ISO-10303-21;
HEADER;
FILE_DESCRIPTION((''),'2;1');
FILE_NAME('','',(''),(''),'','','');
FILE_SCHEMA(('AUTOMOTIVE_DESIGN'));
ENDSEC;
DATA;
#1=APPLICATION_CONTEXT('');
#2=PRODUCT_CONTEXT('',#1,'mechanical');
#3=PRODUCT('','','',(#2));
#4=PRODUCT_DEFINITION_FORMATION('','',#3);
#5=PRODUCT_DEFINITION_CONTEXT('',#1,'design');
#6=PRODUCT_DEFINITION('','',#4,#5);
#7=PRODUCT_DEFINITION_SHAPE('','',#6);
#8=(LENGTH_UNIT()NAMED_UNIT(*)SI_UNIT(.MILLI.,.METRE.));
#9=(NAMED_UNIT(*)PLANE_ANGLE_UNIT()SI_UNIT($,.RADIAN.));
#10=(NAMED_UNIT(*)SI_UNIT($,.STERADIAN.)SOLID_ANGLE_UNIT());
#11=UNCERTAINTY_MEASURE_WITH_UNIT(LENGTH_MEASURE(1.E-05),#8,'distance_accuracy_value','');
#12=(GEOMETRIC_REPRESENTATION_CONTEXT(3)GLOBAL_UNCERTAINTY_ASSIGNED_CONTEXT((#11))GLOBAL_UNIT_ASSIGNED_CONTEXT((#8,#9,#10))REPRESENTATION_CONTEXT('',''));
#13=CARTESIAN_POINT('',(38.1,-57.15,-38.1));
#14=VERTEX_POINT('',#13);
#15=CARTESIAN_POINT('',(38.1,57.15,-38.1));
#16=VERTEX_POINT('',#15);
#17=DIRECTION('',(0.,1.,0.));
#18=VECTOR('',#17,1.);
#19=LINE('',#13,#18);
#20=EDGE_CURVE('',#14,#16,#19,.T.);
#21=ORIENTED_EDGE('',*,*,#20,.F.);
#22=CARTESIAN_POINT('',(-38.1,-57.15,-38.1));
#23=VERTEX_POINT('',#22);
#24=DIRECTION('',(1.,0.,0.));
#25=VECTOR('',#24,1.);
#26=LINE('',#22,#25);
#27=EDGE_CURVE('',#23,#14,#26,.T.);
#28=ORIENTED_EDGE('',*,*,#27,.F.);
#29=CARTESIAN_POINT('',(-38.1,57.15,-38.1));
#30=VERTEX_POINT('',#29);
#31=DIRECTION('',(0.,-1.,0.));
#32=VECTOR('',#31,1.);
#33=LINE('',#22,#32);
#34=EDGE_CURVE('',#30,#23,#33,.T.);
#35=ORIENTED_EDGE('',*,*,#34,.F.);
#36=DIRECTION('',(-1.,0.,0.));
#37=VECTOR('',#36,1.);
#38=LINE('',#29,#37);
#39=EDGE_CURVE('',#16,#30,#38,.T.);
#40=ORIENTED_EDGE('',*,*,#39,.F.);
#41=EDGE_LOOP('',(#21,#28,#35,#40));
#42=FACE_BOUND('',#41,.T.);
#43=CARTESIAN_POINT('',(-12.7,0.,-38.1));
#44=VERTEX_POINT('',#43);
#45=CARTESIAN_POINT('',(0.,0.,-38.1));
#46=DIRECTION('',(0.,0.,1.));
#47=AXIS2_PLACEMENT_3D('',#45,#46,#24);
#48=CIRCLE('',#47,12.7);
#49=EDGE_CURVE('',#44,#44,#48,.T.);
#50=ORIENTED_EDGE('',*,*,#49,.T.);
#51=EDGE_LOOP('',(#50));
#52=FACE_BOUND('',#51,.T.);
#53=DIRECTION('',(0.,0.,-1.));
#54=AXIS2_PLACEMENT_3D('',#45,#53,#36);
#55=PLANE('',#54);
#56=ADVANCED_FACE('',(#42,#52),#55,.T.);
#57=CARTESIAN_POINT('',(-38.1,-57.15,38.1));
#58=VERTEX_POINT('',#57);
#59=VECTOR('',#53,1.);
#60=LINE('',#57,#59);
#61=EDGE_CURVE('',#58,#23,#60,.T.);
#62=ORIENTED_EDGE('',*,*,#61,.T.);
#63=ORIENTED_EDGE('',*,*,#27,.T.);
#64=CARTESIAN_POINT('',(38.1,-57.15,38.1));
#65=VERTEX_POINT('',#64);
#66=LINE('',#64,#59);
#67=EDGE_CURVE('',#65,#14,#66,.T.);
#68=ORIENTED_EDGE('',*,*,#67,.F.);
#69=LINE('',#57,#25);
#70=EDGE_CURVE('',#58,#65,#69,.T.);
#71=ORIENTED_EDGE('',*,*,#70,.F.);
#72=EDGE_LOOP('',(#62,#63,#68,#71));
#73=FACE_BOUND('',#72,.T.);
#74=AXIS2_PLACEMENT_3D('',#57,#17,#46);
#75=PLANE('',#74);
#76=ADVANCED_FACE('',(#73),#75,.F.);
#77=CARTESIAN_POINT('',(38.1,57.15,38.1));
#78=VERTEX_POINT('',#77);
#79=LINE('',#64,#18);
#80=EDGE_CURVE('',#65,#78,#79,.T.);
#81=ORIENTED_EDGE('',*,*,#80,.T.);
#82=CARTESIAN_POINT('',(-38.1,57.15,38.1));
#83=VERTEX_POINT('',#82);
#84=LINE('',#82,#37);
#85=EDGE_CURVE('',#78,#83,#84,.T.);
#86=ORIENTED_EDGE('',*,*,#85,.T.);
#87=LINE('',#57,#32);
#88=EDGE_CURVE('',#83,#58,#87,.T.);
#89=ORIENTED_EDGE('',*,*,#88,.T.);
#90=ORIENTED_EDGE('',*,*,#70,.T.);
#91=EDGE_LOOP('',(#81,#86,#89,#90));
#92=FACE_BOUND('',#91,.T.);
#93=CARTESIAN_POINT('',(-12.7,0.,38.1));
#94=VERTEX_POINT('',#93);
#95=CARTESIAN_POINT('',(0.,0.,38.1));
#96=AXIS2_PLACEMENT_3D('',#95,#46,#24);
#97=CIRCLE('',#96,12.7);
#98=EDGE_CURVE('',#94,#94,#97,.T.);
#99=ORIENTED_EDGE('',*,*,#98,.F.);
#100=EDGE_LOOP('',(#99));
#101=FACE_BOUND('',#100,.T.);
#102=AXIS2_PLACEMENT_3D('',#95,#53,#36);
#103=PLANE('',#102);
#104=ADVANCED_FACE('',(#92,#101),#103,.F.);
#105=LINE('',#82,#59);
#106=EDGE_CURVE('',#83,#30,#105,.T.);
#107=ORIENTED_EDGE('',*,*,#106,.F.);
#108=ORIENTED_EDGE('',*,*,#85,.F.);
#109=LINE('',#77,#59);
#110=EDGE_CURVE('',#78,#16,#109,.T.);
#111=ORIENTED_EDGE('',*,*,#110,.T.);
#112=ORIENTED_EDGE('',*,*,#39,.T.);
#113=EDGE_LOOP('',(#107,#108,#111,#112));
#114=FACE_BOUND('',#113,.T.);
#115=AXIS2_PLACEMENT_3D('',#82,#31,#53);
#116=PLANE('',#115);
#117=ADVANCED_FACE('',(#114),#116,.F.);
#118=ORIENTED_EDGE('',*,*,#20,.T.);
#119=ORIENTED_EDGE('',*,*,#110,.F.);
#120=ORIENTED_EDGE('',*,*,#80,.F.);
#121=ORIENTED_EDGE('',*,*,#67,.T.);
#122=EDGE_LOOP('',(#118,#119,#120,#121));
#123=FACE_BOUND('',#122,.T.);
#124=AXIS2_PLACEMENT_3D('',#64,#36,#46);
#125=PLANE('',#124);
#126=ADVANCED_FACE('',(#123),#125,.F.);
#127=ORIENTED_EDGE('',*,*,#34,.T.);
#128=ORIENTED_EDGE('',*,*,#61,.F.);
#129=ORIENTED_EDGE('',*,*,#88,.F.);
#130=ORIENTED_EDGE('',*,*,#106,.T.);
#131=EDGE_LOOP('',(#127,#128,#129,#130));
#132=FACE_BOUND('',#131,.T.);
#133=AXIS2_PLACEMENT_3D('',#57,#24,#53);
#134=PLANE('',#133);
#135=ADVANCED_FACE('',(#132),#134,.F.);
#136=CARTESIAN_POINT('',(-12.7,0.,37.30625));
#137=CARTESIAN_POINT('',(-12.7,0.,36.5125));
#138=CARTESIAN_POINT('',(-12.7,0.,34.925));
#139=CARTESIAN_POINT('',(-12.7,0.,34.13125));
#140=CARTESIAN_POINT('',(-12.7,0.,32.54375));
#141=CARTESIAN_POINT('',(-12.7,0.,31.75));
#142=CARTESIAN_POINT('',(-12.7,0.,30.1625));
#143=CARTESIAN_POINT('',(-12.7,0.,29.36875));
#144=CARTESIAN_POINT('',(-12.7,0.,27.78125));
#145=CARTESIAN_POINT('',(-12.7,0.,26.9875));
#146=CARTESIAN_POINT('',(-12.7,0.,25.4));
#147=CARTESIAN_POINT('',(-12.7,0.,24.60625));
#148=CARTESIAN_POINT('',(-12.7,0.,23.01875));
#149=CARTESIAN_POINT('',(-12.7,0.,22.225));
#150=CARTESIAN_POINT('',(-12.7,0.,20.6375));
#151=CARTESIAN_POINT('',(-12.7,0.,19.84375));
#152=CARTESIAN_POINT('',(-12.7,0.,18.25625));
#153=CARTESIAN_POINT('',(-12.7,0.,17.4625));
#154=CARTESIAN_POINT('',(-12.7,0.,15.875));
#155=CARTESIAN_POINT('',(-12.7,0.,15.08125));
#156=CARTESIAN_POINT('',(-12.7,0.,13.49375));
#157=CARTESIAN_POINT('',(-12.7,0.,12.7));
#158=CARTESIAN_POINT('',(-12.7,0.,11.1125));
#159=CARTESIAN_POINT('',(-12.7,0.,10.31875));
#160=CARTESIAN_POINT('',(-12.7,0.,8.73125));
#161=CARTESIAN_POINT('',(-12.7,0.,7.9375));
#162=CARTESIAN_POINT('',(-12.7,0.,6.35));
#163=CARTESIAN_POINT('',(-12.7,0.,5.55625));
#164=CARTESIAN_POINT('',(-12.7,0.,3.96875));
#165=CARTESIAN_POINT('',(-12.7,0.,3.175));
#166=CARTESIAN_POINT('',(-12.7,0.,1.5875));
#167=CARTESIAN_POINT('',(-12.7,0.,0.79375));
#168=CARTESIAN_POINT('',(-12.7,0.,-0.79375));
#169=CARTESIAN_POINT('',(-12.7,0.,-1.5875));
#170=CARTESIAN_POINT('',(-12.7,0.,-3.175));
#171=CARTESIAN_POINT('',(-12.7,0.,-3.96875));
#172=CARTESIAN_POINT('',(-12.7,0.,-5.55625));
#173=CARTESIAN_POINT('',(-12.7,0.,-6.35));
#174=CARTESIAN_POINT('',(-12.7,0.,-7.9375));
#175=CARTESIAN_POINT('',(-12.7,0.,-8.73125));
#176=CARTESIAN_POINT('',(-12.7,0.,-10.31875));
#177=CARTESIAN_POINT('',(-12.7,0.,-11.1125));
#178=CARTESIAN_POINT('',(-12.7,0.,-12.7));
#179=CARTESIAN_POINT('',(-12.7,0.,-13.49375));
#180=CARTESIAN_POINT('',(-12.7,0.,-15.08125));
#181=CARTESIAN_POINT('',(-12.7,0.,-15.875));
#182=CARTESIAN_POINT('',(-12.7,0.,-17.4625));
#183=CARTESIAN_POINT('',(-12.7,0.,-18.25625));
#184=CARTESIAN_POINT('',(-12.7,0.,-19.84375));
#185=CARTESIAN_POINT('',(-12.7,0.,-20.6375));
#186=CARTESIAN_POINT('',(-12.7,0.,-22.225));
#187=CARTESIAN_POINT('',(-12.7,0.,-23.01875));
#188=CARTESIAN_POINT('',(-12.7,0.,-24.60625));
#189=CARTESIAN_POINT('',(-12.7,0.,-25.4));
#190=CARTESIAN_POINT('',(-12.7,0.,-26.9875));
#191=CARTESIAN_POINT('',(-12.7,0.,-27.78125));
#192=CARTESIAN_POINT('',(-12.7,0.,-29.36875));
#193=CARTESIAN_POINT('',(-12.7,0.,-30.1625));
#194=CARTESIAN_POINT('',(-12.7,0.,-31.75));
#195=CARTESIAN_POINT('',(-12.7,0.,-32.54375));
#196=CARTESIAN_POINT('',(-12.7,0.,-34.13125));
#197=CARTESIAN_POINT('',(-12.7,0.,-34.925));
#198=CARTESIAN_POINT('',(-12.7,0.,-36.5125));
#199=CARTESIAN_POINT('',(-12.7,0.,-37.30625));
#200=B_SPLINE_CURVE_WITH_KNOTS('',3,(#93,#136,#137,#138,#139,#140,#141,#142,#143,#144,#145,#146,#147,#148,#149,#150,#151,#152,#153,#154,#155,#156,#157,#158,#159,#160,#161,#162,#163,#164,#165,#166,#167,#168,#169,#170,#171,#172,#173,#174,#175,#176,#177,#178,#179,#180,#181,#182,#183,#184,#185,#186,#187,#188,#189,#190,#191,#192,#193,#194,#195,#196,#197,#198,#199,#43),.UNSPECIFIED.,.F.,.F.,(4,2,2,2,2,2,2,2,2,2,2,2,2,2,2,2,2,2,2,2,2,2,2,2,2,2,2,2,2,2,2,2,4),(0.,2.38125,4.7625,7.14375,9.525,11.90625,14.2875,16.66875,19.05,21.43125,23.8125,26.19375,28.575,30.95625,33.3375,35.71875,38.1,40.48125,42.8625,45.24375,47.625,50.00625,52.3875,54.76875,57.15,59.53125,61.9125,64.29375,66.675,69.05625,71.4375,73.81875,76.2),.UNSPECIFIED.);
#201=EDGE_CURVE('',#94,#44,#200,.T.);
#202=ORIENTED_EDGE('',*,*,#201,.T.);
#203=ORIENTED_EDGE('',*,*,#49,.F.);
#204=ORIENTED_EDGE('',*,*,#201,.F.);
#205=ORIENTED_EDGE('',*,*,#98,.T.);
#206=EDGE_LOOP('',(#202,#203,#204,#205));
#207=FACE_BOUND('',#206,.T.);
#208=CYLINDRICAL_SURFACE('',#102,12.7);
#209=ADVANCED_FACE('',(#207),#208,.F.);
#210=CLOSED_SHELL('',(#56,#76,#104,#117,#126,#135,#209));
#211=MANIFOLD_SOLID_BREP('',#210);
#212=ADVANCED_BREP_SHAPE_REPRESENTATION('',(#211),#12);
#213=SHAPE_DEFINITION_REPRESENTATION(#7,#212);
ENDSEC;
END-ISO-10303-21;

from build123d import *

# Parameters (mm, degrees)
SKETCH1_W           = 76.2
SKETCH1_H           = 114.3
SKETCH1_R           = 12.7
BOSS_EXTRUDE1_DEPTH = 38.1


with BuildPart() as part:
    # Sketch1 → Boss-Extrude1 (new, symmetric)
    with BuildSketch(Plane.XY):
        Rectangle(SKETCH1_W, SKETCH1_H)
        with Locations(Location((0, 0, 0), (0, 0, 180))):
            Circle(SKETCH1_R, mode=Mode.SUBTRACT)
    extrude(amount=BOSS_EXTRUDE1_DEPTH, both=True)


solid = part.part
